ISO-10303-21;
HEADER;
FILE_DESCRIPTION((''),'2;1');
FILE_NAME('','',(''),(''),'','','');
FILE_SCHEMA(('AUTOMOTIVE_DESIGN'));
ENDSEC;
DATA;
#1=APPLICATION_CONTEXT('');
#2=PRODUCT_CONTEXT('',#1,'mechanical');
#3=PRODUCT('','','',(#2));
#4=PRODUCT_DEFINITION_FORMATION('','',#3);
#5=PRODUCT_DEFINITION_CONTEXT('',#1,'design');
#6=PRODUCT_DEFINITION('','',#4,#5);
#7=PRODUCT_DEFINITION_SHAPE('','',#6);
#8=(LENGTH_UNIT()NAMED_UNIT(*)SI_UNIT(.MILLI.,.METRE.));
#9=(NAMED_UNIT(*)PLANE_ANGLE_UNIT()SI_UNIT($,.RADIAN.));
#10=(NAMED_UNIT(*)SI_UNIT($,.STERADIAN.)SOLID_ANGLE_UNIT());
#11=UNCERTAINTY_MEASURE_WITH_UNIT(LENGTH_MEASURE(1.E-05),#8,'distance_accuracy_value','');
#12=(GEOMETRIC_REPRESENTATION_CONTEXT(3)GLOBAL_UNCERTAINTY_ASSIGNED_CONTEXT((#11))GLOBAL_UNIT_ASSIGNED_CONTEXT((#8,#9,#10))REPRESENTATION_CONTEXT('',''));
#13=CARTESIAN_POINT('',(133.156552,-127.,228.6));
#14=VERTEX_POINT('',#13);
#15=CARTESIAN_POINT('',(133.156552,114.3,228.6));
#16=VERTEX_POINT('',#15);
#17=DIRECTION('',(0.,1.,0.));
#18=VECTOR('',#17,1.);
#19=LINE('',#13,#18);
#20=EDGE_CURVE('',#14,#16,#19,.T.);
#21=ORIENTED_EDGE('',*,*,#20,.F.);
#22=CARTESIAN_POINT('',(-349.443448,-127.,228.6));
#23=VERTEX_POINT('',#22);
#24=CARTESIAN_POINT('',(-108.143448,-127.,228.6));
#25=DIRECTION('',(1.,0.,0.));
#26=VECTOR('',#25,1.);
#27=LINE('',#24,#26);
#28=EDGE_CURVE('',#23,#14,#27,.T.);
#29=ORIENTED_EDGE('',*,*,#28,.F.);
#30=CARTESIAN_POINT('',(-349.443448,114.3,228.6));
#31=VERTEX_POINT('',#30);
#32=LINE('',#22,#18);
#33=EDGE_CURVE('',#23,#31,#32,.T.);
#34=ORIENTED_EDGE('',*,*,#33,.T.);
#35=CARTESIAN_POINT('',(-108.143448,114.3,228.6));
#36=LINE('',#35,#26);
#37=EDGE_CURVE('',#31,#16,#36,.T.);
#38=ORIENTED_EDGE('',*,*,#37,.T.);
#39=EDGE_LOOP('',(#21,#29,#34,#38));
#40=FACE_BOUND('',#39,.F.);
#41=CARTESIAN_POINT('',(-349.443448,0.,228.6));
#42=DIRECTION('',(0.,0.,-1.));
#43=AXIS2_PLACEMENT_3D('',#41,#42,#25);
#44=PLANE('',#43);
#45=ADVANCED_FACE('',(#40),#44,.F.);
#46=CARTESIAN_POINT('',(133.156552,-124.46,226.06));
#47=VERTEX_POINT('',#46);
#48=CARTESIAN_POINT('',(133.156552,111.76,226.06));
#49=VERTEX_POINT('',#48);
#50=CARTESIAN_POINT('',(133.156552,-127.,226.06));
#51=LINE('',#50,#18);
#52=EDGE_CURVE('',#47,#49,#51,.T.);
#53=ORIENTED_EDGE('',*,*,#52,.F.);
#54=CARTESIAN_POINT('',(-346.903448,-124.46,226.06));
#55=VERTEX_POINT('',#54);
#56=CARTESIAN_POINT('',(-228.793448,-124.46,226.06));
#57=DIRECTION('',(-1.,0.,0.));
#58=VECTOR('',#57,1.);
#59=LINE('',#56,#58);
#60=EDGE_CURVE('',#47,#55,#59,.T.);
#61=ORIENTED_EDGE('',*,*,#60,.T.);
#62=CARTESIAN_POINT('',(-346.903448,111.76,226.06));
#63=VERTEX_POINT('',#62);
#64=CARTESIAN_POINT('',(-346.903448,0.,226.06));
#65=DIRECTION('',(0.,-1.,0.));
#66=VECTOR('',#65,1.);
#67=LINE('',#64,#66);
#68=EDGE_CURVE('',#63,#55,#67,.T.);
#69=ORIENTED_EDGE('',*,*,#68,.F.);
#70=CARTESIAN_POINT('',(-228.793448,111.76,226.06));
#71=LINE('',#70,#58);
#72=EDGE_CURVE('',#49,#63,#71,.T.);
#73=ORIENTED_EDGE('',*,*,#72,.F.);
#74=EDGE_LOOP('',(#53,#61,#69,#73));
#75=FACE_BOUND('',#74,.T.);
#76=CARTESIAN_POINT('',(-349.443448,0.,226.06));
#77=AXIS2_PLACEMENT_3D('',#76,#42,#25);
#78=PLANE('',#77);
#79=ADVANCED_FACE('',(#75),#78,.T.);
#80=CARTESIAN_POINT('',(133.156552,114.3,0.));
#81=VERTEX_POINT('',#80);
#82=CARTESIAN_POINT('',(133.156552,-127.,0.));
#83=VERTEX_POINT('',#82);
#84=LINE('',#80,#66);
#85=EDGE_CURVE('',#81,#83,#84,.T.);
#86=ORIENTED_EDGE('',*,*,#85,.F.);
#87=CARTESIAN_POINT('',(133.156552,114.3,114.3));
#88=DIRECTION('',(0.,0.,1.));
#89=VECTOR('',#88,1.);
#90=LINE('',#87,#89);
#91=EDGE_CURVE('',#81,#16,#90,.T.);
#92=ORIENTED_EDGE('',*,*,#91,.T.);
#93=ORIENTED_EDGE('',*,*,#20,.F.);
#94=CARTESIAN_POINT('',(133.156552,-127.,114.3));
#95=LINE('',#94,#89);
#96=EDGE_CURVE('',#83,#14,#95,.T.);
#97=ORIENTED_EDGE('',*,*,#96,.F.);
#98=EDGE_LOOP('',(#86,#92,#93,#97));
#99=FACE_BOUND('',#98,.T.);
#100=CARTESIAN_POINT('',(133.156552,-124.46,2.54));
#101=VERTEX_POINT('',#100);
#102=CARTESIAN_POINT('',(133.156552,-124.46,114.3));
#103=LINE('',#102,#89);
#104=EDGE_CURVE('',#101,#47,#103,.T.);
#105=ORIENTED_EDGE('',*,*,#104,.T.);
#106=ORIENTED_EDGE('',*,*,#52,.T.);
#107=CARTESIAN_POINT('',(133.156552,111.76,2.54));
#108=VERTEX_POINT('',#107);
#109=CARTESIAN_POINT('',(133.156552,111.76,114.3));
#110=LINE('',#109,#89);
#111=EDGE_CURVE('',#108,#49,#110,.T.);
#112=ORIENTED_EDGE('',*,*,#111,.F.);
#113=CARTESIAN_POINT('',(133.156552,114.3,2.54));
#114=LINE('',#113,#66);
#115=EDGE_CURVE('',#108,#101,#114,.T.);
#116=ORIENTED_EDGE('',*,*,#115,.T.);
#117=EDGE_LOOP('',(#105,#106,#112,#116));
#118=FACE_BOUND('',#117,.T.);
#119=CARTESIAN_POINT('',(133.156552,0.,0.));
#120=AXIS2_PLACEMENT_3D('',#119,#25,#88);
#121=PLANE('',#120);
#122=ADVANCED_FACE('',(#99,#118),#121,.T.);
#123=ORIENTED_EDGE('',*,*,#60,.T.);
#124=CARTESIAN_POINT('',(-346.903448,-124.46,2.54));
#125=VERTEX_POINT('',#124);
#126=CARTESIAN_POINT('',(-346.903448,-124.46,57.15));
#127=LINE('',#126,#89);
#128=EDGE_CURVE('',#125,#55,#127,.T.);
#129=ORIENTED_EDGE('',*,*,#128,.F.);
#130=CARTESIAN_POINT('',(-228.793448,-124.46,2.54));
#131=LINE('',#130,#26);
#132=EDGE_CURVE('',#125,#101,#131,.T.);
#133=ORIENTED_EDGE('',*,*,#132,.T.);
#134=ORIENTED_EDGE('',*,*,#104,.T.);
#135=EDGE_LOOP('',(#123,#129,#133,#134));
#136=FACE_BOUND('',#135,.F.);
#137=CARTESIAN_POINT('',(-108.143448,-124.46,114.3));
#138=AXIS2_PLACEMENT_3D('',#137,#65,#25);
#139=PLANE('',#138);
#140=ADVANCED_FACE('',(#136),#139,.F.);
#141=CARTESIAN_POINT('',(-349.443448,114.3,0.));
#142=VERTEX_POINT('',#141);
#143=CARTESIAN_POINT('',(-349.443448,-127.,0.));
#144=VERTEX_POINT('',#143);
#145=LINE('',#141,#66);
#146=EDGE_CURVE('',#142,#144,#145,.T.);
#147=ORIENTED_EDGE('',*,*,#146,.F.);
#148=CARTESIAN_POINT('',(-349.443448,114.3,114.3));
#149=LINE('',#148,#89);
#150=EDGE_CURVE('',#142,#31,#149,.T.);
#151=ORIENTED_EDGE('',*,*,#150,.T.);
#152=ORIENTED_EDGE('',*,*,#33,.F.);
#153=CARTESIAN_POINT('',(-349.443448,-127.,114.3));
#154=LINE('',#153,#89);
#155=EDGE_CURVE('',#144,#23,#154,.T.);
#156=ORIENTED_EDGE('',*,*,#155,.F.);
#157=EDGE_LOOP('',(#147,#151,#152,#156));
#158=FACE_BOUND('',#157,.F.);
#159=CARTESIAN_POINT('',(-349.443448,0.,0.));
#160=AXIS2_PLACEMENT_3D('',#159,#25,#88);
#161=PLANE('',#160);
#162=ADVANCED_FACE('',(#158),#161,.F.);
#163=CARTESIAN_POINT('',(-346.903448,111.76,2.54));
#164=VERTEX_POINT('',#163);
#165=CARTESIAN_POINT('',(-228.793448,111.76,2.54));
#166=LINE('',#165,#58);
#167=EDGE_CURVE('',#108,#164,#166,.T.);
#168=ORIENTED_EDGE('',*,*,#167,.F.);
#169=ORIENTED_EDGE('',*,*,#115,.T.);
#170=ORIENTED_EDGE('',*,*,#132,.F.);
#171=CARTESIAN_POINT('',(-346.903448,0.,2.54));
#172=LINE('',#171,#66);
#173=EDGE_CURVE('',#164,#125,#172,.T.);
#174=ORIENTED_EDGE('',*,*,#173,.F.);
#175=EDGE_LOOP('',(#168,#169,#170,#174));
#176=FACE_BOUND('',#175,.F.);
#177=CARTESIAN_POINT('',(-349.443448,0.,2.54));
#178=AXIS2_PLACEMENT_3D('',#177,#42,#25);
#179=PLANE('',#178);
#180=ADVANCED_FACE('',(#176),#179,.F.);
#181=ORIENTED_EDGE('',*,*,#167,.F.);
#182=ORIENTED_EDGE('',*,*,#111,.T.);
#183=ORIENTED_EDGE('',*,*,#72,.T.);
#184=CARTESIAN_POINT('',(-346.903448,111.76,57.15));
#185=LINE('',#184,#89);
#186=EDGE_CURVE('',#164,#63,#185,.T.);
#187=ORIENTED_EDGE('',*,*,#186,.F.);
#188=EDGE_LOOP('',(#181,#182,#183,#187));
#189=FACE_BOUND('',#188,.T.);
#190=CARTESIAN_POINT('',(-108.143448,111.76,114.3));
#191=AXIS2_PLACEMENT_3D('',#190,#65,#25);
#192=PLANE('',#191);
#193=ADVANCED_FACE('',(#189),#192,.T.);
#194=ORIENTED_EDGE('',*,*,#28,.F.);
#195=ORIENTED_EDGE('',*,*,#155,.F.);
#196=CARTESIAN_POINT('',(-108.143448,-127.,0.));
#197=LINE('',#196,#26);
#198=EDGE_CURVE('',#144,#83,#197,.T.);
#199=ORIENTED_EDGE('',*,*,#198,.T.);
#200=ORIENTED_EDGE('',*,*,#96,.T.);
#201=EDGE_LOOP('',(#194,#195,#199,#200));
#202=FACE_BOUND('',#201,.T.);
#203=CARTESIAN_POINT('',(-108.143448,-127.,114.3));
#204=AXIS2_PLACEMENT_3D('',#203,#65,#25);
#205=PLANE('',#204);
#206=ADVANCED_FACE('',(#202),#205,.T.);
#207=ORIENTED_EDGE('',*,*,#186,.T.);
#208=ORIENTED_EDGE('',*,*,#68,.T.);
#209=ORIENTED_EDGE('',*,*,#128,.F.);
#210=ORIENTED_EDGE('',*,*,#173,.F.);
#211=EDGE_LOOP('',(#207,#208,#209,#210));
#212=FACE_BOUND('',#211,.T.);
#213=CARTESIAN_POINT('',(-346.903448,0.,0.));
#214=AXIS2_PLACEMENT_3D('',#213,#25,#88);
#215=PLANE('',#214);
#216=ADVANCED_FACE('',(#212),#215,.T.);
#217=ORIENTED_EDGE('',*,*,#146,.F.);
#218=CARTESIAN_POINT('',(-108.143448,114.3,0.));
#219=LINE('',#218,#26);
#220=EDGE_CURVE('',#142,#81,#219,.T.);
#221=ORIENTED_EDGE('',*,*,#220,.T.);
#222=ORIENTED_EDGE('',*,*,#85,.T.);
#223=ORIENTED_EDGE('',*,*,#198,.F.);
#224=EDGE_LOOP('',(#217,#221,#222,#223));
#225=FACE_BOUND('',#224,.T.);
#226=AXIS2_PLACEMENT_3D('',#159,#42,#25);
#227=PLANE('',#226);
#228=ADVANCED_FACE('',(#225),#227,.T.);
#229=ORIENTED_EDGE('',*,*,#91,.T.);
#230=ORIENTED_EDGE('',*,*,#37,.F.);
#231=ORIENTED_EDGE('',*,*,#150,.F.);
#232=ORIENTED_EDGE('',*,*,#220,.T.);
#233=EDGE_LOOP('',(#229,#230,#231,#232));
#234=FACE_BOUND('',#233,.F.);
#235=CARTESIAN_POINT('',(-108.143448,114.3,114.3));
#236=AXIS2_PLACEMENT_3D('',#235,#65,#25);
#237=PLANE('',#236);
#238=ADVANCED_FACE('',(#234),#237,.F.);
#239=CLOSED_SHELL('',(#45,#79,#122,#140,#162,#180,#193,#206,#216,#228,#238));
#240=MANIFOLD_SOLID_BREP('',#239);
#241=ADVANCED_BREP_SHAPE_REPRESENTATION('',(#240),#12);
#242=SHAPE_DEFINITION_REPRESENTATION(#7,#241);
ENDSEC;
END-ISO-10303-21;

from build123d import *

# Parameters (mm, degrees)
F0_W      = 482.6
F0_H      = 228.6
F1_DEPTH  = 12.7
F1_FACE_W = 482.6
F1_FACE_H = 228.6
F2_DEPTH  = 114.3
F3_T      = -2.54


with BuildPart() as f1:
    # F0 (on Front) → F1 (new body, symmetric)
    with BuildSketch(Plane.XZ):
        with Locations((-108.143448, 114.3)):
            Rectangle(F0_W, F0_H)
    extrude(amount=F1_DEPTH, both=True)

    # F1_face (on face) + F0 (on Front) → F2 (join, symmetric)
    with BuildSketch(Plane(origin=(-108.143448, -12.7, 114.3), x_dir=(1, 0, 0), z_dir=(0, -1, 0))):
        Rectangle(F1_FACE_W, F1_FACE_H)
    with BuildSketch(Plane.XZ):
        with Locations((-108.143448, 114.3)):
            Rectangle(F0_W, F0_H)
    extrude(amount=F2_DEPTH, both=True)

    # F3
    f3_openings = [f1.faces().sort_by_distance(p)[0] for p in [
        (133.156552, -6.35, 114.3),
    ]]
    offset(amount=F3_T, openings=f3_openings)


solid = f1.part
